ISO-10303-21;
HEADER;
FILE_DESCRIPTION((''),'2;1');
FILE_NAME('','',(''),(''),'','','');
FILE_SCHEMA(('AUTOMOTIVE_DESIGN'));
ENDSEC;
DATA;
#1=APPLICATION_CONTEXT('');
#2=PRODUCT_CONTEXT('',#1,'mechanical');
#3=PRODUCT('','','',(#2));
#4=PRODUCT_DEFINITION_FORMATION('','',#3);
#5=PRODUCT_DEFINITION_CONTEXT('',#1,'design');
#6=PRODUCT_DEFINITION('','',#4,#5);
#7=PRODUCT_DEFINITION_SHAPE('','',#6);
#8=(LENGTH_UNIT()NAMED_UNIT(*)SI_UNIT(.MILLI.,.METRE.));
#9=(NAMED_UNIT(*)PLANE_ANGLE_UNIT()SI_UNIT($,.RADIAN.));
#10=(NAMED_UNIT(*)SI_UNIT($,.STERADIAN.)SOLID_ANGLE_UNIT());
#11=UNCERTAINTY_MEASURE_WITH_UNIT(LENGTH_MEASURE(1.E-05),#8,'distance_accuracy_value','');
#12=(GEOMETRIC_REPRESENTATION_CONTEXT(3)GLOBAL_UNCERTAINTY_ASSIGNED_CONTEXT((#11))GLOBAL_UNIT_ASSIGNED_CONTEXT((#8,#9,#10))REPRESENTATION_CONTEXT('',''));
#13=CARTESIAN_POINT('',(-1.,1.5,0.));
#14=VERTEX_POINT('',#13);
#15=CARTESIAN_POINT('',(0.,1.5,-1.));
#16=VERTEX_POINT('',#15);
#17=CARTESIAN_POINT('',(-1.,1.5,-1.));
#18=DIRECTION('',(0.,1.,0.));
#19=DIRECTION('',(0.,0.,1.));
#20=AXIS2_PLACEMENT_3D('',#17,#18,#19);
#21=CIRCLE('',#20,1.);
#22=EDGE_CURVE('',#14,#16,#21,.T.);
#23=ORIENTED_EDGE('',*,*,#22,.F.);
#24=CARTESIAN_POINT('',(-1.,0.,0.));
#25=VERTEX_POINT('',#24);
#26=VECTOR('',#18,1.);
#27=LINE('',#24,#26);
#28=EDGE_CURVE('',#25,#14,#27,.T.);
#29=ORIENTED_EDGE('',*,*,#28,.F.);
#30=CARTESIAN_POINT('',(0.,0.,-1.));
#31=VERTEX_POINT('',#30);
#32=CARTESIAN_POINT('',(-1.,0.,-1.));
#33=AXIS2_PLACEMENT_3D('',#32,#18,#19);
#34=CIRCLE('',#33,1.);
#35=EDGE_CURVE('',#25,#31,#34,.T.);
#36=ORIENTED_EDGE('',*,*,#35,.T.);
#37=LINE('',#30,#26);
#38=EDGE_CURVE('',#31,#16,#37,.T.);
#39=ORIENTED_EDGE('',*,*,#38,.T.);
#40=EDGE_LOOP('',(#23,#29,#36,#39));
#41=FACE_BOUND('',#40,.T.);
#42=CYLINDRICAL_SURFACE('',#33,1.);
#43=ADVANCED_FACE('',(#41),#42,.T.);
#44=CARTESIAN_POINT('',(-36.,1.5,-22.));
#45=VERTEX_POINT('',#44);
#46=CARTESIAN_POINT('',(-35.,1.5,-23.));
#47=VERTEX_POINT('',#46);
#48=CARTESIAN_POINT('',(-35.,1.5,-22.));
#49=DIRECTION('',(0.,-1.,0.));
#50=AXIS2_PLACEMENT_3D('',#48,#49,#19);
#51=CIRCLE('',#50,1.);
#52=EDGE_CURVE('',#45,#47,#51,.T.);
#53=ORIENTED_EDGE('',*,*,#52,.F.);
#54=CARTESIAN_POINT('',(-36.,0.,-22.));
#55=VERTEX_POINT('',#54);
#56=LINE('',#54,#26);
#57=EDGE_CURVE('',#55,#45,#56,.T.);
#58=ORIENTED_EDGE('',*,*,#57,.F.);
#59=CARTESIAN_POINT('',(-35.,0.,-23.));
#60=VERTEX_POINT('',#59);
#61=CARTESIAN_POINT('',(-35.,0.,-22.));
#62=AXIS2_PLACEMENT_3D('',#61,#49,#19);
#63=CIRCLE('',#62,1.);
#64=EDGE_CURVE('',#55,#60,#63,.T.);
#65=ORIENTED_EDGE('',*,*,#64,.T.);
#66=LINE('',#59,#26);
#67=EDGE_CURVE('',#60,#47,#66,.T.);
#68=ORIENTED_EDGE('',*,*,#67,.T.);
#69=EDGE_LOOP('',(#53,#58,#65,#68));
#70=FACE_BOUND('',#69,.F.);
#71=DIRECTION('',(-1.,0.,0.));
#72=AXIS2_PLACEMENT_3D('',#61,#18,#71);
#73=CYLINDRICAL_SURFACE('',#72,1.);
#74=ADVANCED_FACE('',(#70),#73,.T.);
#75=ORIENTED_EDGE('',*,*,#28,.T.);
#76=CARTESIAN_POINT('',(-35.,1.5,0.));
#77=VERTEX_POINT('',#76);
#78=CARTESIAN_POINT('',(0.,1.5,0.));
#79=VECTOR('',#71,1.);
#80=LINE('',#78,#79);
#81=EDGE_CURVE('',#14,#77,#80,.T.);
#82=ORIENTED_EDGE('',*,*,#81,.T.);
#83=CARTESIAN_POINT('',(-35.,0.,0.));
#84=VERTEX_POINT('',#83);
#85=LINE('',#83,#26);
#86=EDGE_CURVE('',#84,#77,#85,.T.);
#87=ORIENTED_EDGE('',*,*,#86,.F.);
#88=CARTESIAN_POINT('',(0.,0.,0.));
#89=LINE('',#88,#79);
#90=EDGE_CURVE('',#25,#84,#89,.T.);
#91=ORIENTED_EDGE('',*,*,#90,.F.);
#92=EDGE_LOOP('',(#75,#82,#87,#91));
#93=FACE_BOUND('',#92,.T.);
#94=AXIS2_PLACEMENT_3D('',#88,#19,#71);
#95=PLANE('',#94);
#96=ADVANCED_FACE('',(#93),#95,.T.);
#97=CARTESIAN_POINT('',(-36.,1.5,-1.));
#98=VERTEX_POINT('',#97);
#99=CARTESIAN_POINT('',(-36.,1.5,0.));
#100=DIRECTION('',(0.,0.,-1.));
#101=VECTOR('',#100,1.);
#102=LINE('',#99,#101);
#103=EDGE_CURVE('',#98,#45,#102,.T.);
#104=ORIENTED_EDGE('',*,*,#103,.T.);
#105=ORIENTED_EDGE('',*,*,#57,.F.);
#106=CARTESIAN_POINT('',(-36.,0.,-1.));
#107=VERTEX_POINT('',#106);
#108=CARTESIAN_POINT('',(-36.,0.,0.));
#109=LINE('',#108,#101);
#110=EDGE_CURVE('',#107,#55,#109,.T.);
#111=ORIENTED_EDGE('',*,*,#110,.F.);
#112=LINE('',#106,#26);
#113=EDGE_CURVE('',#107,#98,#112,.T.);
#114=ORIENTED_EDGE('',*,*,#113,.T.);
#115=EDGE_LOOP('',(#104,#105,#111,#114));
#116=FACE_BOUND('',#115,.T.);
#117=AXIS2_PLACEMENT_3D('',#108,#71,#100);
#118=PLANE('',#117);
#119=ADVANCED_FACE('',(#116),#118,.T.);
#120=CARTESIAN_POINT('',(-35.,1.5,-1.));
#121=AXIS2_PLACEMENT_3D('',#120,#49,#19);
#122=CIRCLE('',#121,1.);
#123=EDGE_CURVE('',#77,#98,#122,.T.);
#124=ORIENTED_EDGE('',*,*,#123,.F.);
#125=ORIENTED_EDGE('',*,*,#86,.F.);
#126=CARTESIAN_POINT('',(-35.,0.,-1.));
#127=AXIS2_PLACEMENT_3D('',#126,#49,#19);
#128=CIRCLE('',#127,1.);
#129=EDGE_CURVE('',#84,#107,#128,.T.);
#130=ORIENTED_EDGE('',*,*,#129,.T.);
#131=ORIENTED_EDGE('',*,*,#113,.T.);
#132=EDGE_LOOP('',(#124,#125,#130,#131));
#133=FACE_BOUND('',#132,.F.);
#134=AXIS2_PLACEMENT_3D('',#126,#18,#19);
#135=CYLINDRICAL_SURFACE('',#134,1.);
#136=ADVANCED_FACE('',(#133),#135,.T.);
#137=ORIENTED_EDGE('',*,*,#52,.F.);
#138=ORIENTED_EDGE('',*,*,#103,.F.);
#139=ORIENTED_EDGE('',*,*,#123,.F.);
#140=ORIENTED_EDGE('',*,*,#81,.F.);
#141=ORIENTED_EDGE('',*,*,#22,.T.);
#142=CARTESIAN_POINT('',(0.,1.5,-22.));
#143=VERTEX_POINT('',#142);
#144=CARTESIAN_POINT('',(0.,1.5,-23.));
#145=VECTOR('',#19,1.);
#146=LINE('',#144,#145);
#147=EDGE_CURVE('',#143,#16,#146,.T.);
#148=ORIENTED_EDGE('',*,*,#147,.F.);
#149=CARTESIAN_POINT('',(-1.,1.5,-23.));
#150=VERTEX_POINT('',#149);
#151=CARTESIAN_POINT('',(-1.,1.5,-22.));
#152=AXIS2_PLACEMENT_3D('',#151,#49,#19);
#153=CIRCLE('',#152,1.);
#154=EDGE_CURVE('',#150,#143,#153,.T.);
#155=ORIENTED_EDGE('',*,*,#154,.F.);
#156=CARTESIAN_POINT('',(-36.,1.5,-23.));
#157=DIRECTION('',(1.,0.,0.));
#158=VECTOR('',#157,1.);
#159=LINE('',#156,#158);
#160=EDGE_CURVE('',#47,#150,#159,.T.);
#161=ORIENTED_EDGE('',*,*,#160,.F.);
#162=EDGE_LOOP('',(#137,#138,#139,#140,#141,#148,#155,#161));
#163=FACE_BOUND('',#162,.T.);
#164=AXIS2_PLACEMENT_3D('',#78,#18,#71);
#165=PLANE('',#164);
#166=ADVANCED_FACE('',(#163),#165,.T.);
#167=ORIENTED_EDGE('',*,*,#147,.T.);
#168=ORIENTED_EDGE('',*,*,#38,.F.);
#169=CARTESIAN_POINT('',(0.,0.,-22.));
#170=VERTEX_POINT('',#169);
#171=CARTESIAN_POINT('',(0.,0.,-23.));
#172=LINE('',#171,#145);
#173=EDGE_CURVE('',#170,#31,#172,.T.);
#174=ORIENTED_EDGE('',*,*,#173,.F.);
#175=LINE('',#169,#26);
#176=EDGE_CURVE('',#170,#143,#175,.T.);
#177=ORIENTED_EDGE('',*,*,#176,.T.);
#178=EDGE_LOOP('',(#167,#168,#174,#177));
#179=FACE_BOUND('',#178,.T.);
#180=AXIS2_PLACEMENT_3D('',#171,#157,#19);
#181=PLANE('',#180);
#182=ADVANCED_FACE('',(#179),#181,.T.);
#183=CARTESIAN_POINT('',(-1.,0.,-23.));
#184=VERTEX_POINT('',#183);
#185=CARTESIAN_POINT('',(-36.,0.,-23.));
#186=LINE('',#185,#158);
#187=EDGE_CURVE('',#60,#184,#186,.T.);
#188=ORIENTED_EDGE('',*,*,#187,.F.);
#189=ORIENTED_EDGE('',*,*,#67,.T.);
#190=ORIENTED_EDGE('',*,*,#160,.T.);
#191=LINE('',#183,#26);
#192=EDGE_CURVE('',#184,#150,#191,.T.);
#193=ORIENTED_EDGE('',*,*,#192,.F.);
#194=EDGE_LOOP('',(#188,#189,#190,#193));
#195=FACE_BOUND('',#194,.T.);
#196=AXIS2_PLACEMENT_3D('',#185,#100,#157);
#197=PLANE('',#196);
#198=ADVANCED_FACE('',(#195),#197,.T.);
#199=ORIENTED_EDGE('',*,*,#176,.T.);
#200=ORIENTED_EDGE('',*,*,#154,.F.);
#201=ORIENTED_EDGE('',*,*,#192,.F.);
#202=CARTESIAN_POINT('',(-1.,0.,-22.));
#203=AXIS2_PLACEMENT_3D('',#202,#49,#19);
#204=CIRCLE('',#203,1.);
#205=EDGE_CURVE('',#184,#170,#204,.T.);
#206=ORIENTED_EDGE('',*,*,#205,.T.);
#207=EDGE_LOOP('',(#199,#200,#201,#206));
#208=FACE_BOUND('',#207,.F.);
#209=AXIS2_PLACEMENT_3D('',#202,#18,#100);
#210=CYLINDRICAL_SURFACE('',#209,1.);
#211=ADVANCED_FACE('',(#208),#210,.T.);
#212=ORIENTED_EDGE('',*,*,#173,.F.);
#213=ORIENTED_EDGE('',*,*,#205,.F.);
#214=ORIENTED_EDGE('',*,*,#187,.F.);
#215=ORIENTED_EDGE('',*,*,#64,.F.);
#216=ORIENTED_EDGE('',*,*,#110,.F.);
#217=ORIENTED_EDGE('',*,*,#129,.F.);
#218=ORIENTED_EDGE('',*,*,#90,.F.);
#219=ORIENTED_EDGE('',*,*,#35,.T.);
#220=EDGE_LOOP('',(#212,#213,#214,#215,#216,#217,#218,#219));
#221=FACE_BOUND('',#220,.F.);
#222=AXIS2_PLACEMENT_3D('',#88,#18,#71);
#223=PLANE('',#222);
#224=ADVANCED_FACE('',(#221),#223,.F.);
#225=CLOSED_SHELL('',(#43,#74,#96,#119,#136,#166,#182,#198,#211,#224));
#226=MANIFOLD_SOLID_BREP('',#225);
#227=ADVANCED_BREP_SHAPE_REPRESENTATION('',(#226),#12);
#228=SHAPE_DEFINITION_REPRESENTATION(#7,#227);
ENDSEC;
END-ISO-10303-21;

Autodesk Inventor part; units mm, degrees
ref_plane "YZ Plane" through (0, 0, 0) normal (1, 0, 0) x (0, 1, 0)
ref_plane "XZ Plane" through (0, 0, 0) normal (0, 1, 0) x (-1, 0, 0)
ref_plane "XY Plane" through (0, 0, 0) normal (0, 0, 1) x (1, 0, 0)
sketch "Sketch1" plane through (0, 0, 0) normal (0, 1, 0) x (-1, 0, 0)
  line L0 (0, 0) -> (36, 0)
  line L1 (36, 0) -> (36, -23)
  line L2 (36, -23) -> (0, -23)
  line L3 (0, -23) -> (0, 0)
  dimension "d0" = 36
  dimension "d1" = 23
extrude "Extrusion1" add sketch "Sketch1" along normal blind 1.5
fillet "Fillet1" radius 1 4 edges at (0, 0.75, 0) (0, 0.75, -23) (-36, 0.75, -23) (-36, 0.75, 0)
properties part number "window"
